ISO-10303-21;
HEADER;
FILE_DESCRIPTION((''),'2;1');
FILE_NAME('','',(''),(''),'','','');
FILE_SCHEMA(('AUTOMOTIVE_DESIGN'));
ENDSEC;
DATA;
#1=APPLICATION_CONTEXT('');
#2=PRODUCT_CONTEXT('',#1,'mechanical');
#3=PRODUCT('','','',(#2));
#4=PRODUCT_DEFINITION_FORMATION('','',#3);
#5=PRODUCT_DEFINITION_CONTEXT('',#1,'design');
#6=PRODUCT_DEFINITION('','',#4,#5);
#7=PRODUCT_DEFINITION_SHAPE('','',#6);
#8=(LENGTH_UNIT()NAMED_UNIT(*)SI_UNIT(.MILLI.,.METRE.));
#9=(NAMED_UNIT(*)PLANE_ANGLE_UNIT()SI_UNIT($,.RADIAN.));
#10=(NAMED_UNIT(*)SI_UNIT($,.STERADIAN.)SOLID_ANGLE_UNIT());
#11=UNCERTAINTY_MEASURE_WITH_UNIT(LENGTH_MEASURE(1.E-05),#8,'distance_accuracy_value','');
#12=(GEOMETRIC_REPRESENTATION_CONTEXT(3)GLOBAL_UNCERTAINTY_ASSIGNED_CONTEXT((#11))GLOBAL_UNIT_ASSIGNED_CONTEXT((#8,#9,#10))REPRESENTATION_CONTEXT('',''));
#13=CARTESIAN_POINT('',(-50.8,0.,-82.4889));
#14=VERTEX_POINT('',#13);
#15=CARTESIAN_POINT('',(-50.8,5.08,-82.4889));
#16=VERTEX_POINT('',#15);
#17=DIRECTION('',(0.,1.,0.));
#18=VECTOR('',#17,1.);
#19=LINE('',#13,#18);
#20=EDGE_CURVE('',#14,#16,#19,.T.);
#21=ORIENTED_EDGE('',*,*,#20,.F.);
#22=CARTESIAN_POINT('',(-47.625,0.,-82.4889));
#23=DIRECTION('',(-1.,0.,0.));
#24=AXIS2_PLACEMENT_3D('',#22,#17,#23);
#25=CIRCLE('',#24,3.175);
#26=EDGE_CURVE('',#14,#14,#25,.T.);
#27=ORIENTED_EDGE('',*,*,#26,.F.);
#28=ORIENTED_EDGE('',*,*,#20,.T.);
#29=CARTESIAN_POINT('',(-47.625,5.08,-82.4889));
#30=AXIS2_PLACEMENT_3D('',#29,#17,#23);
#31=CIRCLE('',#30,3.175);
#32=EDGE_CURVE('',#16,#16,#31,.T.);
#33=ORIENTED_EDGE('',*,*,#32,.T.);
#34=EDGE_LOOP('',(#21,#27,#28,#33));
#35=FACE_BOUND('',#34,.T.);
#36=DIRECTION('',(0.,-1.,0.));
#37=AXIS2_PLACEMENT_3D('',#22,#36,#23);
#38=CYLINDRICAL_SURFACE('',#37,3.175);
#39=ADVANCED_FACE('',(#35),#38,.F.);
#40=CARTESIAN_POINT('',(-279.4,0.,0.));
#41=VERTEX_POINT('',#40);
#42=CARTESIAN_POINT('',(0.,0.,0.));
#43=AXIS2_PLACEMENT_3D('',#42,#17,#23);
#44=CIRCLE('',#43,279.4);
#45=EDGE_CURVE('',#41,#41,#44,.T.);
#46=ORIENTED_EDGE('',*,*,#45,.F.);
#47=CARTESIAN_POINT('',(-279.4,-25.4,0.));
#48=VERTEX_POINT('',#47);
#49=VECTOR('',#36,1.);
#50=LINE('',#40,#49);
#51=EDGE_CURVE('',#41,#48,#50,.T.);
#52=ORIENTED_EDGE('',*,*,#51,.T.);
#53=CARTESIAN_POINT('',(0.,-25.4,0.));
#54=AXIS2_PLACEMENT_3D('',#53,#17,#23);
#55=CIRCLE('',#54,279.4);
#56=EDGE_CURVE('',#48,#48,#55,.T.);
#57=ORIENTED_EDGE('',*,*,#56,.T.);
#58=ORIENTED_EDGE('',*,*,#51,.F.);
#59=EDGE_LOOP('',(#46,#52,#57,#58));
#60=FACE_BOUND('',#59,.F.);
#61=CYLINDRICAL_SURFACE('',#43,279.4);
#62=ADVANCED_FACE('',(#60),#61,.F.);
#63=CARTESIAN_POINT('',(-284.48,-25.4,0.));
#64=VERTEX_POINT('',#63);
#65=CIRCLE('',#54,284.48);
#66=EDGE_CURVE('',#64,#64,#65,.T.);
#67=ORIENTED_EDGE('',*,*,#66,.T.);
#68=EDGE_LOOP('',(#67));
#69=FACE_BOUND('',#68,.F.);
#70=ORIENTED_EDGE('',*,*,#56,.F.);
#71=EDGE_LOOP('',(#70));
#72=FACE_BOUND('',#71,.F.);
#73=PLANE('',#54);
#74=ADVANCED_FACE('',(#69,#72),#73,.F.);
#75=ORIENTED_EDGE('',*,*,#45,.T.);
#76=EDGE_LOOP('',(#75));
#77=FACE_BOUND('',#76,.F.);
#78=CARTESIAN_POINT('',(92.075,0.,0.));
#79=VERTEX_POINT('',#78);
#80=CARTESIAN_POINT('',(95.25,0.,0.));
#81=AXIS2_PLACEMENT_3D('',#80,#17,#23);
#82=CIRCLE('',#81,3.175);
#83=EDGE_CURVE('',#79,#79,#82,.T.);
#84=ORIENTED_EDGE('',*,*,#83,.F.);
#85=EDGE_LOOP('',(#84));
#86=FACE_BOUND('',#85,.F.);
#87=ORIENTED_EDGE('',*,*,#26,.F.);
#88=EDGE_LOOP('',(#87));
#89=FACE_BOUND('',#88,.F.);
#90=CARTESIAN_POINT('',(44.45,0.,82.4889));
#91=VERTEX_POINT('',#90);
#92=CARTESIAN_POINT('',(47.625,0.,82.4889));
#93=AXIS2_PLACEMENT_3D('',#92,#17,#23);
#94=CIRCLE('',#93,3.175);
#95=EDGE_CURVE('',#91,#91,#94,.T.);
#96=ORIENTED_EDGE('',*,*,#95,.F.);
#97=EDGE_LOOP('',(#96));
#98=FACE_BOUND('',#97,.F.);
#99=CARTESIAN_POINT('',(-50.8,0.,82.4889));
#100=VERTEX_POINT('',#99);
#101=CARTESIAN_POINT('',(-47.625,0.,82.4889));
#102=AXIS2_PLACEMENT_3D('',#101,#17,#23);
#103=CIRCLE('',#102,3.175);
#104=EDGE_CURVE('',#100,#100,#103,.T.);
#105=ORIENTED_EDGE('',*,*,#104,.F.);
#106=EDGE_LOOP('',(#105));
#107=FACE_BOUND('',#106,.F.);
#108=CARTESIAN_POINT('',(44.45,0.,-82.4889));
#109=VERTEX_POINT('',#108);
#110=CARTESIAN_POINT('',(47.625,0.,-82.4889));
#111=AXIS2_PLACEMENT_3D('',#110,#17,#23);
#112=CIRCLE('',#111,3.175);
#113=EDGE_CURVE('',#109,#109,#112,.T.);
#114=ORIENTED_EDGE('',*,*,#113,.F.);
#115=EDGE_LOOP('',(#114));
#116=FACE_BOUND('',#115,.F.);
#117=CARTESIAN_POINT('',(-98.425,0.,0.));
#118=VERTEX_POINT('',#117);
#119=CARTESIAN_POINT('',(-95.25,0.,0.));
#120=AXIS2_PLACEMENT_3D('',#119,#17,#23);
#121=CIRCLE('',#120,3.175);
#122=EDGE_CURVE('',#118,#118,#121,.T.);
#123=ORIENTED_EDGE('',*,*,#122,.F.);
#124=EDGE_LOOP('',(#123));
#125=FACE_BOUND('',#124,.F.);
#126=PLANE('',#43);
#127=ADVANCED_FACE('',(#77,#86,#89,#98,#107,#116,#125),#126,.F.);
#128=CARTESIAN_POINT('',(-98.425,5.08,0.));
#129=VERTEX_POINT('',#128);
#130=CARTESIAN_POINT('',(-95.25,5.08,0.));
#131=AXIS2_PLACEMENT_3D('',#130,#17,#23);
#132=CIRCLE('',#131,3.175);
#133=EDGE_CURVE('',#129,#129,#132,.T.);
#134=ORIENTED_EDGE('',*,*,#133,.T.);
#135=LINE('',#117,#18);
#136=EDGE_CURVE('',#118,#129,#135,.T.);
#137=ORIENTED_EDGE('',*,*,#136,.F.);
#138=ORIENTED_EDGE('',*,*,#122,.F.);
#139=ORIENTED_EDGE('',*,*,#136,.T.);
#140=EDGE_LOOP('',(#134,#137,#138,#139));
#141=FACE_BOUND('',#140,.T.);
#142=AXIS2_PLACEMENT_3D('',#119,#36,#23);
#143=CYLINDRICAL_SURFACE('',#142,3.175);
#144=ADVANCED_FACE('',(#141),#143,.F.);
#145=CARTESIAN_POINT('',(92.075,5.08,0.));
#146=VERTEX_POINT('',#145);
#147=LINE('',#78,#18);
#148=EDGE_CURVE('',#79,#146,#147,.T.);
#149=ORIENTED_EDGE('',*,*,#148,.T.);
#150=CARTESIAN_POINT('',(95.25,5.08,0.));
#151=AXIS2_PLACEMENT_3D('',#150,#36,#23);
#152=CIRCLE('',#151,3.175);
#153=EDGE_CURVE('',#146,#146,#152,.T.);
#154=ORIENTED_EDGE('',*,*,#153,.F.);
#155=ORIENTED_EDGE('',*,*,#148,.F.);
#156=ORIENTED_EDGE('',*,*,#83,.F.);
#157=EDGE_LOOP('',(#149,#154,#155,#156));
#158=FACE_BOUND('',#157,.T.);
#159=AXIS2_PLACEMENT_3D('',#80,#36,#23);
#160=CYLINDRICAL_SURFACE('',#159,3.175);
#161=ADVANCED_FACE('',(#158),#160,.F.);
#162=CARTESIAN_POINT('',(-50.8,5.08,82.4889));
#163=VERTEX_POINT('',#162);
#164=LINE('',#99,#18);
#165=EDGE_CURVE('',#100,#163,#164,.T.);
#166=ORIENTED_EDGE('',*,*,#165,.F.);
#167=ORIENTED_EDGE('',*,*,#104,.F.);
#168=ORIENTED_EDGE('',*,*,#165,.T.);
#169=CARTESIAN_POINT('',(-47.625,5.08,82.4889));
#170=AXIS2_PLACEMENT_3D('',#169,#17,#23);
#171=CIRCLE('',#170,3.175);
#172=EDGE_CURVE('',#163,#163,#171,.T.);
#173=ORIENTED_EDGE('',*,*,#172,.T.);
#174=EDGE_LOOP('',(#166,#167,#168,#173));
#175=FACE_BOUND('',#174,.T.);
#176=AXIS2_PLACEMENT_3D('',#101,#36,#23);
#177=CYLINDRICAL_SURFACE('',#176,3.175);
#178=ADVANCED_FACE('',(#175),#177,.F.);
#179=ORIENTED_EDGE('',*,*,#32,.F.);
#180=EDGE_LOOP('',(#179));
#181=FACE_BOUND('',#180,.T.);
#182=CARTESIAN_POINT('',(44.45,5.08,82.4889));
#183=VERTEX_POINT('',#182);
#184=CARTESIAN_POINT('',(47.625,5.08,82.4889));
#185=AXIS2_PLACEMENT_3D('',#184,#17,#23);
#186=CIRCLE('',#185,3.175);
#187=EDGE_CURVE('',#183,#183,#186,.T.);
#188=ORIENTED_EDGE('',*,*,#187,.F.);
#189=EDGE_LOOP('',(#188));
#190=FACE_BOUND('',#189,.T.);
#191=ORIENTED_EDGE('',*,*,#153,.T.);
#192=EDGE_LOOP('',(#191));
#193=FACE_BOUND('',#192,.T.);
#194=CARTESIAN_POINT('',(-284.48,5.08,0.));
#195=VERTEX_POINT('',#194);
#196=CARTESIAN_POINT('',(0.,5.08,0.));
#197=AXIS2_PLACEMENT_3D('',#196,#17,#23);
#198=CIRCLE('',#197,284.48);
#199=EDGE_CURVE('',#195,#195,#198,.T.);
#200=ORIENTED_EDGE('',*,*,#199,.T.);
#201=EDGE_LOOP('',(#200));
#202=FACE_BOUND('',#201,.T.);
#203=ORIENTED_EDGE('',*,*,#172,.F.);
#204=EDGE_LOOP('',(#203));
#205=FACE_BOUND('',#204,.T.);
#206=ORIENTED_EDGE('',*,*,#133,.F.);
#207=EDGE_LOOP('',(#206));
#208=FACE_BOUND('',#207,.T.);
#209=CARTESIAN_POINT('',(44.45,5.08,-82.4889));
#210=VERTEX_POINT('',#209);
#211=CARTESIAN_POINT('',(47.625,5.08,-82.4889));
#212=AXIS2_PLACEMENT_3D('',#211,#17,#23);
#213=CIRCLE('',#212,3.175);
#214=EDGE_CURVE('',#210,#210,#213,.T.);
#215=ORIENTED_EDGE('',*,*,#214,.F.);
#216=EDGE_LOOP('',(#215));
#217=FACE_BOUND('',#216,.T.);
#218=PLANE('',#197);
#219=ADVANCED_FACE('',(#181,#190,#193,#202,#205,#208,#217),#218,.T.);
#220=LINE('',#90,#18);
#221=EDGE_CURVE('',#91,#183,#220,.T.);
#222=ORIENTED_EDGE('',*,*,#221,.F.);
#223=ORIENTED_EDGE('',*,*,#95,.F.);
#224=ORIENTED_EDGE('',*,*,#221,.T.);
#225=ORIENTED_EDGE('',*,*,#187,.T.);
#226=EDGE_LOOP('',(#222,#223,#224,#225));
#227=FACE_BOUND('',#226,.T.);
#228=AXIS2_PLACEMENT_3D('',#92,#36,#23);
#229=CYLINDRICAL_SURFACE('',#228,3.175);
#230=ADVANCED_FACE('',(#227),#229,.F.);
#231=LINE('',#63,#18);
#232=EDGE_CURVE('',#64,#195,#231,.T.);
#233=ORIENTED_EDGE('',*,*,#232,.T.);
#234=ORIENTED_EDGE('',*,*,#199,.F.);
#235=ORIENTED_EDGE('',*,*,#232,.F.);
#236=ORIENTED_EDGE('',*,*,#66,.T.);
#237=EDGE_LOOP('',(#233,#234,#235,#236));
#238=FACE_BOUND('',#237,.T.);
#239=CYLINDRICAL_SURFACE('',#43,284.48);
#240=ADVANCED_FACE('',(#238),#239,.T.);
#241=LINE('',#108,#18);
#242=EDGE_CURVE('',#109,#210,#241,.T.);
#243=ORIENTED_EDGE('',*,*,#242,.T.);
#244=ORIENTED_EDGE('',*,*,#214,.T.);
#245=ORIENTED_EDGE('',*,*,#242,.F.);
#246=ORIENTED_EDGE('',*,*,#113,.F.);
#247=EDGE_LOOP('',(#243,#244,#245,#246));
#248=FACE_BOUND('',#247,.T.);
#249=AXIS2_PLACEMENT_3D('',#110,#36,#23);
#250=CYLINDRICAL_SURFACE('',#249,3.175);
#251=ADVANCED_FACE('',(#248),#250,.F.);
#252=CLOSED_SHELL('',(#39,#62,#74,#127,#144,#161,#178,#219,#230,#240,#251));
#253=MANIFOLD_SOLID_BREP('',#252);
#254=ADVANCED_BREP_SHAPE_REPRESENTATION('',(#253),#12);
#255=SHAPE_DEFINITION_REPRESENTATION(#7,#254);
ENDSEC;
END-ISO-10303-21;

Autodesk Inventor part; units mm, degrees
ref_plane "YZ Plane" through (0, 0, 0) normal (1, 0, 0) x (0, 1, 0)
ref_plane "XZ Plane" through (0, 0, 0) normal (0, 1, 0) x (-1, 0, 0)
ref_plane "XY Plane" through (0, 0, 0) normal (0, 0, 1) x (1, 0, 0)
sketch "Sketch1" plane through (0, 0, 0) normal (0, 1, 0) x (-1, 0, 0)
  circle A0 centre (0, 0) radius 254
  circle A1 centre (0, 0) radius 279.4
  line L0 (0, 279.4) -> (0, -279.4)
  line L1 (-279.4, 0) -> (279.4, 0)
  line L2 (197.5656, -197.5656) -> (-197.5656, 197.5656)
  line L3 (197.5656, 197.5656) -> (-197.5656, -197.5656)
  line L4 (206.5459, -188.5854) -> (-188.5854, 206.5459)
  line L5 (188.5854, -206.5459) -> (-206.5459, 188.5854)
  line L6 (188.5854, 206.5459) -> (-206.5459, -188.5854)
  line L7 (206.5459, 188.5854) -> (-188.5854, -206.5459)
  circle A2 centre (0, 0) radius 152.4
  circle A3 centre (0, 0) radius 101.6
  circle A4 centre (0, 0) radius 88.9
  circle A5 centre (0, 0) radius 139.7
  circle A6 centre (146.05, 0) radius 3.175
  circle A7 centre (73.025, 126.483) radius 3.175
  circle A8 centre (-73.025, 126.483) radius 3.175
  circle A9 centre (-146.05, 0) radius 3.175
  circle A10 centre (-73.025, -126.483) radius 3.175
  circle A11 centre (73.025, -126.483) radius 3.175
  circle A12 centre (95.25, 0) radius 3.175
  circle A13 centre (47.625, 82.4889) radius 3.175
  circle A14 centre (-47.625, 82.4889) radius 3.175
  circle A15 centre (-95.25, 0) radius 3.175
  circle A16 centre (-47.625, -82.4889) radius 3.175
  circle A17 centre (47.625, -82.4889) radius 3.175
  circle A18 centre (0, 0) radius 284.48
  dimension "d0" = 508
  dimension "d1" = 25.4
  dimension "d2" = 45
  dimension "d3" = 0
  dimension "d4" = 0
  dimension "d5" = 45
  dimension "d6" = 12.7
  dimension "d7" = 12.7
  dimension "d8" = 12.7
  dimension "d9" = 12.7
  dimension "d10" = 304.8
  dimension "d11" = 203.2
  dimension "d12" = 177.8
  dimension "d13" = 12.7
  dimension "d14" = 6.35
  dimension "d15" = 146.05
  dimension "d18" = 360
  dimension "d20" = 6.35
  dimension "d21" = 95.25
  dimension "d24" = 360
  dimension "d26" = 5.08
extrude "Extrusion1" add sketch "Sketch1" along normal blind 5.08 contours L1 A2 L7 A0 | L1 A1 L4 A0 | A0 L4 A2 L1 | A0 L7 A1 L1 | L7 A2 L3 A0 | A0 L3 A1 L7 | L4 A1 L2 A0 | A0 L2 A2 L4 | A2 L4 A5 L1 A6 | L1 A6 A5 L7 A2 | L3 A2 L6 A0 | A0 L6 A1 L3 | L7 A5 L3 A2 | L2 A1 L5 A0 | A0 L5 A2 L2 | A2 L2 A5 L4 | A6 L1 | L1 A6 | L6 A2 L0 A0 | A0 L0 A1 L6 | L3 A5 L6 A2 | A5 L1 A3 L7 | L7 A3 L3 A5 | L5 A1 L0 A0 | A0 L0 A2 L5 | A2 L5 A5 L2 | A5 L2 A3 L4 | L4 A3 L1 A5 | L0 A2 L4 A0 | A0 L4 A1 L0 | L6 A5 L0 A2 | L3 A3 L6 A5 | A3 L1 A12 A4 L7 | L7 A4 L3 A3 | L0 A1 L7 A0 | A0 L7 A2 L0 | A2 L0 A5 L5 | A5 L5 A3 L2 | A3 L2 A4 L4 | L4 A4 L1 A12 A3 | L4 A2 L2 A0 | A0 L2 A1 L4 | L0 A5 L4 A2 | L6 A3 L0 A5 | L3 A4 L6 A3 | A4 L1 L7 | L7 L4 L3 A4 | L7 A1 L3 A0 | A0 L3 A2 L7 | A2 L7 A5 L0 | A5 L0 A3 L5 | A3 L5 A4 L2 | A4 L2 L7 L4 | L4 L1 A4 | L2 A2 L5 A0 | A0 L5 A1 L2 | L4 A5 L2 A2 | L0 A3 L4 A5 | L6 A4 L0 A3 | L3 L4 L6 A4 | L7 L2 L1 | L1 L3 L4 | L3 A1 L6 A0 | A0 L6 A2 L3 | A2 L3 A5 L7 | A5 L7 A3 L0 | A3 L0 A4 L5 | A4 L5 L7 L2 | L5 A2 L1 A0 | A0 L1 A1 L5 | L2 A5 L5 A2 | L4 A3 L2 A5 | L0 A4 L4 A3 | L6 L0 A4 | L3 L0 L4 | L2 L6 L0 | L2 L7 L0 | L3 L5 L1 | L1 L6 L2 | L0 L5 L3 | L6 A1 L1 A0 | A0 L1 A2 L6 | A2 L6 A5 L3 | A5 L3 A3 L7 | A3 L7 A4 L0 | A4 L0 L5 | L5 A5 L1 A9 A2 | L2 A3 L5 A5 | L4 A4 L2 A3 | L0 L4 A4 | L6 L2 A4 L4 | L7 A4 L3 L5 | L0 A4 L7 | L6 A4 L1 | L1 A4 L5 | L5 A4 L2 L6 | L5 L3 A4 L6 | A2 L1 A9 A5 L6 | A5 L6 A3 L3 | A3 L3 A4 L7 | L5 A3 L1 A5 | L2 A4 L5 A3 | A4 L6 A3 L1 A15 | L1 A15 A3 L5 A4 | A4 L3 A3 L6 | A5 L1 A3 L6 | A9 L1 | L1 A9 | A7 | A8 | A10 | A11 | A18
extrude "Extrusion2" add sketch "Sketch1" against normal blind 25.4 contours A18
properties part number "Lazy suzan Top piece"
